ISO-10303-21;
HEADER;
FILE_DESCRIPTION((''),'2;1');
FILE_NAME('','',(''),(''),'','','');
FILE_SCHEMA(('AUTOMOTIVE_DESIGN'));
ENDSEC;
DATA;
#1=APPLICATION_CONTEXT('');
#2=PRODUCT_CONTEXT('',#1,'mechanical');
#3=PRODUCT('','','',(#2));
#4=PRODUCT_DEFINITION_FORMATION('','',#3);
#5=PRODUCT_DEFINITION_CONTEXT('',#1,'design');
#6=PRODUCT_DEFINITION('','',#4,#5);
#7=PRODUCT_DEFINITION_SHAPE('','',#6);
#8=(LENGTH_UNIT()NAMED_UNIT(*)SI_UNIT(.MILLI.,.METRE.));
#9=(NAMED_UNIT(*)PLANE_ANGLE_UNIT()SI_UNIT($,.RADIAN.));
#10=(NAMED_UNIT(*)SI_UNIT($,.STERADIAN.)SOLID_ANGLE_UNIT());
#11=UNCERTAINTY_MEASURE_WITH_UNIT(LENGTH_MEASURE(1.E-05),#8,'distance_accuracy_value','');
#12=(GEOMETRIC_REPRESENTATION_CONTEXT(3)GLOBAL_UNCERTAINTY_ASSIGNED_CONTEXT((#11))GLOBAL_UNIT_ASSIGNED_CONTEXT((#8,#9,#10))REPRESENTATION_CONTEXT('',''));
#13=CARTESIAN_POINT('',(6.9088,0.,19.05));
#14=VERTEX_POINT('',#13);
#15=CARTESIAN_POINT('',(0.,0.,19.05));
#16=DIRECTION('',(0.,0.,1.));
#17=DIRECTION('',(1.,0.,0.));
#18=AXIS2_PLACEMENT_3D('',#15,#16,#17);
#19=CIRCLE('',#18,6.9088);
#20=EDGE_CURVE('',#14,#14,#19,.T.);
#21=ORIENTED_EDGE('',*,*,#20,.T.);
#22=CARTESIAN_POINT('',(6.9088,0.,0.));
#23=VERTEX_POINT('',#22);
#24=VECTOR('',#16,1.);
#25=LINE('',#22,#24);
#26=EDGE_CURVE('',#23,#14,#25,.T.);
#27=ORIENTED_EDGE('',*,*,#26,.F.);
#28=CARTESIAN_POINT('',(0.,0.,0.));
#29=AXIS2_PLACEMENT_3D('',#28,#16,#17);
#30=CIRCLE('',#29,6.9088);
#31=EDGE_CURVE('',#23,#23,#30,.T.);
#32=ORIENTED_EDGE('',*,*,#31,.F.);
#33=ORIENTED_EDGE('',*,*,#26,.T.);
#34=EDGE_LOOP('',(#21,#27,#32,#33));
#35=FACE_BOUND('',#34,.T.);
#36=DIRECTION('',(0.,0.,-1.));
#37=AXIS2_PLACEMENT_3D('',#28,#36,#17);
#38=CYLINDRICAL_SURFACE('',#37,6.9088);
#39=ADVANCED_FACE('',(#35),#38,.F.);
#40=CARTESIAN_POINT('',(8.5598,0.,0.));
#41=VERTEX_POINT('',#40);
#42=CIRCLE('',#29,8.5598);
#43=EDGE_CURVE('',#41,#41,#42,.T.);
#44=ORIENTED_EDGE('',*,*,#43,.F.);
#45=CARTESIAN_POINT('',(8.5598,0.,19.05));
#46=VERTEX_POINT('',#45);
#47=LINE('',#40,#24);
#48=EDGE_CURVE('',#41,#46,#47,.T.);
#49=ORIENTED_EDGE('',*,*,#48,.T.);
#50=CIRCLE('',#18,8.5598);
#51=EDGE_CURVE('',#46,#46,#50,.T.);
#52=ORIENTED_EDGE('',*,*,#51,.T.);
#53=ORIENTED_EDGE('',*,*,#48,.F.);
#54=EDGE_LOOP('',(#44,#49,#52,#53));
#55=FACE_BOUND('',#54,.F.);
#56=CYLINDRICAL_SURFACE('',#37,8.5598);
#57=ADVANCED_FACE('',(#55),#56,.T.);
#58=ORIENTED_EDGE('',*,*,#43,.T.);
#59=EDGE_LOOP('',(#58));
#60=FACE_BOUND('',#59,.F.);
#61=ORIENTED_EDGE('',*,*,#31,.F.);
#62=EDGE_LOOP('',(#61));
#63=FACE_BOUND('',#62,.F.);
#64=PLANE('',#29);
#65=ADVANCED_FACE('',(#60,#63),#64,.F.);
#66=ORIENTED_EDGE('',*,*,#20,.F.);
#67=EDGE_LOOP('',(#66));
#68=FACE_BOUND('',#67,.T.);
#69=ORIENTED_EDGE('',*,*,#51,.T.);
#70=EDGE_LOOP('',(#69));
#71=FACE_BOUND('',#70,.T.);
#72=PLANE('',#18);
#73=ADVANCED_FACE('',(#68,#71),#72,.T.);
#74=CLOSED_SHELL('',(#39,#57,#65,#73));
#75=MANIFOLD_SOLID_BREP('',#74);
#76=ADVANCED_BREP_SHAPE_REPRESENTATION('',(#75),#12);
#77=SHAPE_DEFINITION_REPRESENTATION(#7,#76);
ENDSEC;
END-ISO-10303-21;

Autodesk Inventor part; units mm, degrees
ref_plane "YZ Plane" through (0, 0, 0) normal (1, 0, 0) x (0, 1, 0)
ref_plane "XZ Plane" through (0, 0, 0) normal (0, 1, 0) x (-1, 0, 0)
ref_plane "XY Plane" through (0, 0, 0) normal (0, 0, 1) x (1, 0, 0)
sketch "Sketch1" plane through (0, 0, 0) normal (0, 0, 1) x (1, 0, 0)
  circle A0 centre (0, 0) radius 6.9088
  circle A1 centre (0, 0) radius 8.5598
  dimension "d0" = 13.8176
  dimension "d1" = 1.651
extrude "Extrusion1" add sketch "Sketch1" along normal blind 19.05
properties part number "Sleeve_" material "Steel, Mild"
